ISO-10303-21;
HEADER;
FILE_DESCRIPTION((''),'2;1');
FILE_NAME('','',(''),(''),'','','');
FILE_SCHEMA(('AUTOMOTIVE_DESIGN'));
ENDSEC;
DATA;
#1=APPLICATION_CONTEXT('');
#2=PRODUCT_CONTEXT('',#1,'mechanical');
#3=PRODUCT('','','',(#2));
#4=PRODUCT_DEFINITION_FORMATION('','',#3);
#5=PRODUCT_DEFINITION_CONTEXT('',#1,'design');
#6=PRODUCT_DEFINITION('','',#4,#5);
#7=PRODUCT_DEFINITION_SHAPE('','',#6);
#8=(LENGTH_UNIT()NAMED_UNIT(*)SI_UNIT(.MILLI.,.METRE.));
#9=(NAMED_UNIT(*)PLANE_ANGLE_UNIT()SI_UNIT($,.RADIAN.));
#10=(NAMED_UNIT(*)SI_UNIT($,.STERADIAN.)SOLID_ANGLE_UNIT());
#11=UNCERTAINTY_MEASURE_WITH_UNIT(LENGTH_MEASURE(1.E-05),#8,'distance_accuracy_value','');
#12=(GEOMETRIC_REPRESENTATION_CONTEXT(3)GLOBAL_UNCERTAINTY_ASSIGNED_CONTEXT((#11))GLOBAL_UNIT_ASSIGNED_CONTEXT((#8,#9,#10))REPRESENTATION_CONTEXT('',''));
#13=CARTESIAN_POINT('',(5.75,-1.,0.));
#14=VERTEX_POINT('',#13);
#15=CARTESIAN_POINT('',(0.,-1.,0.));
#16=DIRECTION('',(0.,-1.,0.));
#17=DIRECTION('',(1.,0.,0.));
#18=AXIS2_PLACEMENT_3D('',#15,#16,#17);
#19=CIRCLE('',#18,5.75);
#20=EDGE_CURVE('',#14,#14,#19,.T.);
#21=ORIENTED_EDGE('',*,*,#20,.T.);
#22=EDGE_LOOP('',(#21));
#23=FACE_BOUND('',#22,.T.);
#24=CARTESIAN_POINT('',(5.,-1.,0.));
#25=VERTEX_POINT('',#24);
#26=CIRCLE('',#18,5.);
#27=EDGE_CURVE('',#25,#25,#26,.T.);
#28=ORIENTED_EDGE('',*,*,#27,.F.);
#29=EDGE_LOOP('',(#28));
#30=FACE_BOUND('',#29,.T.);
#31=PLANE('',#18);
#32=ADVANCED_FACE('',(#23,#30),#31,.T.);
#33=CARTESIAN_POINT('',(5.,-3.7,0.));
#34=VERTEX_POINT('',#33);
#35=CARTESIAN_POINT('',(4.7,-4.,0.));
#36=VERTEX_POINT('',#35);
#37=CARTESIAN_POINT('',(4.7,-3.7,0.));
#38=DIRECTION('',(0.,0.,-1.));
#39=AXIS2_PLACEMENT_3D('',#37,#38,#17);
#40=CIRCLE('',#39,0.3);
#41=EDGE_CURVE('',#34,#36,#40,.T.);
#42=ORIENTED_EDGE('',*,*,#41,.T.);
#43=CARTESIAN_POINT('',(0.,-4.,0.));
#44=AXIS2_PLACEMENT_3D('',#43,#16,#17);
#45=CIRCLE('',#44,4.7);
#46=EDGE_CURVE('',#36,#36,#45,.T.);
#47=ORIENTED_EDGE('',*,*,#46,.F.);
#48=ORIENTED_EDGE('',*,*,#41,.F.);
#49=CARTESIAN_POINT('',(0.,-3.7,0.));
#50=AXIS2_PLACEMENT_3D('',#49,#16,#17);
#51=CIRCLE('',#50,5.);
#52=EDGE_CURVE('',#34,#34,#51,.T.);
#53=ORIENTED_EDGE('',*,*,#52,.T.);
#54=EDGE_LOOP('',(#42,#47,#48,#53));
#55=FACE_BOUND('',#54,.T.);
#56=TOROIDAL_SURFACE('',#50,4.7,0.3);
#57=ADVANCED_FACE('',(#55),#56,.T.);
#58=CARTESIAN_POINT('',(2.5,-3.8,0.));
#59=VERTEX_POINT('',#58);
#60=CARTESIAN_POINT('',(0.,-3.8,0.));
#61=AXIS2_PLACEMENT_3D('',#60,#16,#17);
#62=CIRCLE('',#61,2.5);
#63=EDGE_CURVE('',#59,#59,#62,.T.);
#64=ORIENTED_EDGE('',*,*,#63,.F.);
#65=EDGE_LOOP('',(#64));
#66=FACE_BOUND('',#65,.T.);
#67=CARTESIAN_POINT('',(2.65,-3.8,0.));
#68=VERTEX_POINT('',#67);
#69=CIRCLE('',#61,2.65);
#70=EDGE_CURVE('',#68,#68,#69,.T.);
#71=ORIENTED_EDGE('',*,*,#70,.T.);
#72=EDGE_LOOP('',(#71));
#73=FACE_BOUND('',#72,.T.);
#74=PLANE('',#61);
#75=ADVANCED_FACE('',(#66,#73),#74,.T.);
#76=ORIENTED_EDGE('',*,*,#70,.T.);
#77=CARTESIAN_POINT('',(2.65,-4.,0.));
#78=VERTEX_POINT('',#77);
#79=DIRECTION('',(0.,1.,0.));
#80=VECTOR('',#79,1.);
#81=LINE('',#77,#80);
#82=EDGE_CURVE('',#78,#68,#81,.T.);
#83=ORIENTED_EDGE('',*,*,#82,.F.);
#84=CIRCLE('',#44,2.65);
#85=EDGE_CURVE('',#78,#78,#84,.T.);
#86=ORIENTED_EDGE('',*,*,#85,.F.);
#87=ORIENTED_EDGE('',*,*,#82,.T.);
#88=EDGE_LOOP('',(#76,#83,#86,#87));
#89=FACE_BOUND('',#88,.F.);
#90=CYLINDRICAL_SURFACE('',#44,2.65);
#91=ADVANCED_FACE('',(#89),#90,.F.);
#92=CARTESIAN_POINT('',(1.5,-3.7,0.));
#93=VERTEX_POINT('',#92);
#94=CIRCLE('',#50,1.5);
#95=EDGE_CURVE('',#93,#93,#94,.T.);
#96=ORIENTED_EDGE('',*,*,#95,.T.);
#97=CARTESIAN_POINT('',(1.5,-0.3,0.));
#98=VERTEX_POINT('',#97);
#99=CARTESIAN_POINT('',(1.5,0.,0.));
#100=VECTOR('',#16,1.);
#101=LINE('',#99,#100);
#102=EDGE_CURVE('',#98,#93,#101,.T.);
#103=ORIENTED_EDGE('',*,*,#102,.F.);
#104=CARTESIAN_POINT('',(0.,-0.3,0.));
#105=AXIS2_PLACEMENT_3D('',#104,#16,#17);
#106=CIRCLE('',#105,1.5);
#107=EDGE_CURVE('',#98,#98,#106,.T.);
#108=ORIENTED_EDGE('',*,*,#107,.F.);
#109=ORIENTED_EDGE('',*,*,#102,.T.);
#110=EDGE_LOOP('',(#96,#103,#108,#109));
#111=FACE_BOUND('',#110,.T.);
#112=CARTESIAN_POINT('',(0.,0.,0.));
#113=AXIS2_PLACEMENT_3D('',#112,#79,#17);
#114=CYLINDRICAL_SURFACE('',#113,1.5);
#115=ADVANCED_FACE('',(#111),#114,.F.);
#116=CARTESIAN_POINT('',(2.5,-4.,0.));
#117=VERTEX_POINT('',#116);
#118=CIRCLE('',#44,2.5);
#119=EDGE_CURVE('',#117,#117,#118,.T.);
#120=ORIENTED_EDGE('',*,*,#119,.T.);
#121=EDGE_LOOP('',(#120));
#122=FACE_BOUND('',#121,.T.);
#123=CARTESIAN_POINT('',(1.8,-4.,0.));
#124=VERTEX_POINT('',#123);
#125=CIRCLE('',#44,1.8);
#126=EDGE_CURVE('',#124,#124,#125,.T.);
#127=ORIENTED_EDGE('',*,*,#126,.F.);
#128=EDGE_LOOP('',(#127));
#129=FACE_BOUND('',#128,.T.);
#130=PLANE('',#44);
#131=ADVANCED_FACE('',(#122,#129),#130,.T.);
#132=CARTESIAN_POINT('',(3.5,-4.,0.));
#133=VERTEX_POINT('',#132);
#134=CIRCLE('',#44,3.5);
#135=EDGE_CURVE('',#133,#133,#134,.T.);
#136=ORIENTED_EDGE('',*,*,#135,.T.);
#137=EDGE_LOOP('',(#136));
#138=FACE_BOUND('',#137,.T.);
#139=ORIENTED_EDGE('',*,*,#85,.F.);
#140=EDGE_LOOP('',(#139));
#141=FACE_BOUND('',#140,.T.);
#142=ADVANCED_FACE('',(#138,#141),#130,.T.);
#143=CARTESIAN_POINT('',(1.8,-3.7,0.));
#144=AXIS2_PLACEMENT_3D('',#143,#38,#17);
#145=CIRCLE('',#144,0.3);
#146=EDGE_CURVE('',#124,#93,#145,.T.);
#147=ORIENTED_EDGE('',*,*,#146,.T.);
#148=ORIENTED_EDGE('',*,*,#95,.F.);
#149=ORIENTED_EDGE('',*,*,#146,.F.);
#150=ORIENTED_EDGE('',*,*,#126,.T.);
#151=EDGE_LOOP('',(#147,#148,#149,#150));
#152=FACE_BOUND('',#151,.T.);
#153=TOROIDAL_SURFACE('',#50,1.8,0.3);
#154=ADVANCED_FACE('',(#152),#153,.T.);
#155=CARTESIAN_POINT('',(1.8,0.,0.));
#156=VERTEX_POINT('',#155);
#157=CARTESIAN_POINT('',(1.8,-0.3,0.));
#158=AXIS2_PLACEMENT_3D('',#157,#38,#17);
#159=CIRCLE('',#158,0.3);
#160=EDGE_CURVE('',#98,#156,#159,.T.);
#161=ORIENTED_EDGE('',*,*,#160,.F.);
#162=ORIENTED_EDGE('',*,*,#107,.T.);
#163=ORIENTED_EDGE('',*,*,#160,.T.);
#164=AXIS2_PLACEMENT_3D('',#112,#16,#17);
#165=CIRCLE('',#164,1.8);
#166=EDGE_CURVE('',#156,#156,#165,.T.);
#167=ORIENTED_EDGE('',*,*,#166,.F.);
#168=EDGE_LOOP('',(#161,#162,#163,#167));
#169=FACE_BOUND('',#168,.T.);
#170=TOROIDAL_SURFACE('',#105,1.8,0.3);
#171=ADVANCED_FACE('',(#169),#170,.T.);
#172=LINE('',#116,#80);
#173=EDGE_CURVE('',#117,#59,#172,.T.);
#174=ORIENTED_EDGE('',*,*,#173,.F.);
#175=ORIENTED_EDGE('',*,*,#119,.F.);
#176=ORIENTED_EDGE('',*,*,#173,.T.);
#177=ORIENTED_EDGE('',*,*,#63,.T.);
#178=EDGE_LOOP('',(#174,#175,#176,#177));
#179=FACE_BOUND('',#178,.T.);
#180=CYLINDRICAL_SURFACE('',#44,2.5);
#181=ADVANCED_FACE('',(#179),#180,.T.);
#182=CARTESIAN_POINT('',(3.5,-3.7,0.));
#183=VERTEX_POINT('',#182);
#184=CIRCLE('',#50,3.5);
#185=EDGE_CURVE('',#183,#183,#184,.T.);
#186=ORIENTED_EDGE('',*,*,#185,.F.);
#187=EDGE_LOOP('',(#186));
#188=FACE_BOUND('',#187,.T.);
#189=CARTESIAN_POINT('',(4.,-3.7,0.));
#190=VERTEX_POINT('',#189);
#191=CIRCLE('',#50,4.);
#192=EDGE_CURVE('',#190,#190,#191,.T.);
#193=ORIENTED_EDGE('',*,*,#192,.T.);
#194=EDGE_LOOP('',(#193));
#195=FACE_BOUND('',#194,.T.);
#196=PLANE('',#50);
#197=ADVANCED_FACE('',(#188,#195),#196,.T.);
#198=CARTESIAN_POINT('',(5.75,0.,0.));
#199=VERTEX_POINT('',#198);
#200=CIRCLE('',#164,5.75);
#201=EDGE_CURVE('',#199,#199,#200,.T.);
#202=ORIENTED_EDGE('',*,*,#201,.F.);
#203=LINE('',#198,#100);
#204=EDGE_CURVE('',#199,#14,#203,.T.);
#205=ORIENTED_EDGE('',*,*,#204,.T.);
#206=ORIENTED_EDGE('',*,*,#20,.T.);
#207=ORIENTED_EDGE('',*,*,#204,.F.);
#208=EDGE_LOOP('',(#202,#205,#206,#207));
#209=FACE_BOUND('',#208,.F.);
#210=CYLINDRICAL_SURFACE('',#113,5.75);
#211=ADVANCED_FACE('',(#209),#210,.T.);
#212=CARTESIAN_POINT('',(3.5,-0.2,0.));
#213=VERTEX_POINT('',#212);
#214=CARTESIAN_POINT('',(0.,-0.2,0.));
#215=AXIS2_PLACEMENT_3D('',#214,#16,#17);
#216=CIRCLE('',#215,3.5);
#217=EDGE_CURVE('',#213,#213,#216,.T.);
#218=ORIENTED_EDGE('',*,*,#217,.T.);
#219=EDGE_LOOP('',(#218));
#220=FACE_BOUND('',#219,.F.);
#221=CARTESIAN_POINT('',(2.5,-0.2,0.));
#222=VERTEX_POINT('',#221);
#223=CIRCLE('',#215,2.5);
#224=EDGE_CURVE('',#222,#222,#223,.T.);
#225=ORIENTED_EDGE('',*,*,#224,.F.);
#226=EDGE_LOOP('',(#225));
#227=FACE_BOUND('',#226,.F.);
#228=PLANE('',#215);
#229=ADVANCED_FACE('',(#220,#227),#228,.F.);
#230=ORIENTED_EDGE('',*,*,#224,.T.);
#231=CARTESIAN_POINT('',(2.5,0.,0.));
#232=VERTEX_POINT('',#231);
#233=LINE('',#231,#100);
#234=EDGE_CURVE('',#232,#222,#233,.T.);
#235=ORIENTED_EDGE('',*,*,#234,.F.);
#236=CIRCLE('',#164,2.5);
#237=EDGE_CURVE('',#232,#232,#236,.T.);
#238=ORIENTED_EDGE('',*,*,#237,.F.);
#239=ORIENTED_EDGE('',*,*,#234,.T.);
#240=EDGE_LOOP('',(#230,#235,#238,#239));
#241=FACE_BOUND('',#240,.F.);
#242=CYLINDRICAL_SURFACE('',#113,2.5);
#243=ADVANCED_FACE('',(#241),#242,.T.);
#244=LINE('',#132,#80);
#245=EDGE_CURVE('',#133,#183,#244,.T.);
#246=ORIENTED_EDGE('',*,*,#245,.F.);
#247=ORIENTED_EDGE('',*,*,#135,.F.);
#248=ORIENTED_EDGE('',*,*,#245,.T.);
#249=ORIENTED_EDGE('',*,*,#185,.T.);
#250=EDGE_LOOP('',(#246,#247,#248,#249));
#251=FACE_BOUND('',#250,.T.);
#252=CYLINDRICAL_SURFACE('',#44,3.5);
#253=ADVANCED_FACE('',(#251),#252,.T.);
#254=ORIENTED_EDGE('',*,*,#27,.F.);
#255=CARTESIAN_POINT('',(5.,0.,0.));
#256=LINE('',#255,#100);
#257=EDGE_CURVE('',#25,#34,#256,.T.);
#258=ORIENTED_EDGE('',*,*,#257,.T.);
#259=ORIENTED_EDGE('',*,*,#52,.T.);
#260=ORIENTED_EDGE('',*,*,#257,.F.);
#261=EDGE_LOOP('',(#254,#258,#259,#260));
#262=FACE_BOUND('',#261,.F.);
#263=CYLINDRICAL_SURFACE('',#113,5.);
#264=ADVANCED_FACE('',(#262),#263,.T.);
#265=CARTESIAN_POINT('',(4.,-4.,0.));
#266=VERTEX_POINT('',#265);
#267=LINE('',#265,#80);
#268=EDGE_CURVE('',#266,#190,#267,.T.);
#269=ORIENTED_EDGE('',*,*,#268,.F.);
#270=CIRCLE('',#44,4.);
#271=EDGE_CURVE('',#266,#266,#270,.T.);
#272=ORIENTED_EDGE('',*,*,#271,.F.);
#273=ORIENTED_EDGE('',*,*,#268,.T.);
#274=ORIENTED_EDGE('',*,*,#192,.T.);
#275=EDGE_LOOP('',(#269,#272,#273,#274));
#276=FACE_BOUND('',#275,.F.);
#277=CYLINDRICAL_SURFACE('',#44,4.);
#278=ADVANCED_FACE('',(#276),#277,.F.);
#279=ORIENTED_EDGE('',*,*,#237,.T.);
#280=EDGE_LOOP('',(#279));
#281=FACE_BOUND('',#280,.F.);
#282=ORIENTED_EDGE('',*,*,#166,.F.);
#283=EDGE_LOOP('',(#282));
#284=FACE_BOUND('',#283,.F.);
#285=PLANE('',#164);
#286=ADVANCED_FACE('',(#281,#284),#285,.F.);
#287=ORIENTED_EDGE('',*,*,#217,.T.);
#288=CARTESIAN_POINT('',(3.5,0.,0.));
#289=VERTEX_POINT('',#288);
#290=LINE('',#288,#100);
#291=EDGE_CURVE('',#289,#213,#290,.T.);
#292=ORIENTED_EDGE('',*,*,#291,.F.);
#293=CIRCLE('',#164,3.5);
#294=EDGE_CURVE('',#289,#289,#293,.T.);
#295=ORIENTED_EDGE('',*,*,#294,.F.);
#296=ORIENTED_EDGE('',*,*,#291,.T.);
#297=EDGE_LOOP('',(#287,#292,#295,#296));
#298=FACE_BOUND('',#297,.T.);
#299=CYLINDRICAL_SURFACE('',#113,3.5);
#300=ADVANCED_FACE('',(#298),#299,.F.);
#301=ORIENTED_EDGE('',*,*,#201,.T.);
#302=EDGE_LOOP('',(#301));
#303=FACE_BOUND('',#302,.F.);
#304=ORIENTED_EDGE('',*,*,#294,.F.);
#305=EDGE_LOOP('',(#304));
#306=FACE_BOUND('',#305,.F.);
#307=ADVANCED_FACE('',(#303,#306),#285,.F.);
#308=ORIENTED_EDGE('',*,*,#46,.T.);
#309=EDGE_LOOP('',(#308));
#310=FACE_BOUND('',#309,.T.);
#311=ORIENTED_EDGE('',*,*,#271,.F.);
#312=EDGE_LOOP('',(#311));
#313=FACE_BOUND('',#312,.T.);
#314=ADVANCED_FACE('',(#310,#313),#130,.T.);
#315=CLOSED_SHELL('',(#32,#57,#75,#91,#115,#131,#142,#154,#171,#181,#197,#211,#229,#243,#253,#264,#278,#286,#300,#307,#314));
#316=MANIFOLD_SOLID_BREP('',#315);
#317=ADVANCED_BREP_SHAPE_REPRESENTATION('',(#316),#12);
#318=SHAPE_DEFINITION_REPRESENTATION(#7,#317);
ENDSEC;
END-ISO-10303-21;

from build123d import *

# Parameters (mm, degrees)
F0_R     = 5.75
F0_R_2   = 5
F1_DEPTH = 1
F0_R_3   = 3.5
F0_R_4   = 2.5
F0_R_5   = 1.5
F2_DEPTH = 4
F3_R     = 0.3
F4_R     = 2.65
F4_R_2   = 2.5
F5_DEPTH = 0.2
F4_R_3   = 4
F4_R_4   = 3.5
F6_DEPTH = 0.3
F7_DEPTH = 0.2


with BuildPart() as f1:
    # F0 (on Front) → F1 (new body)
    with BuildSketch(Plane.XZ):
        Circle(F0_R)
        Circle(F0_R_2, mode=Mode.SUBTRACT)
    extrude(amount=F1_DEPTH)

    # F0 (on Front) → F2 (join)
    with BuildSketch(Plane.XZ):
        Circle(F0_R_2)
        Circle(F0_R_3, mode=Mode.SUBTRACT)
        Circle(F0_R_3)
        Circle(F0_R_4, mode=Mode.SUBTRACT)
        Circle(F0_R_4)
        Circle(F0_R_5, mode=Mode.SUBTRACT)
    extrude(amount=F2_DEPTH)

    # F3
    f3_edges = [f1.edges().sort_by_distance(p)[0] for p in [
        (-5, -4, 0),
        (-1.5, -4, 0),
        (-1.5, 0, 0),
    ]]
    fillet(f3_edges, radius=F3_R)

    # F4 (on face) → F5 (cut)
    with BuildSketch(Plane.XZ.offset(4)):
        Circle(F4_R)
        Circle(F4_R_2, mode=Mode.SUBTRACT)
    extrude(amount=-F5_DEPTH, mode=Mode.SUBTRACT)

    # F4 (on face) → F6 (cut)
    with BuildSketch(Plane.XZ.offset(4)):
        Circle(F4_R_3)
        Circle(F4_R_4, mode=Mode.SUBTRACT)
    extrude(amount=-F6_DEPTH, mode=Mode.SUBTRACT)

    # F0 (on Front) → F7 (cut)
    with BuildSketch(Plane.XZ):
        Circle(F0_R_3)
        Circle(F0_R_4, mode=Mode.SUBTRACT)
    extrude(amount=F7_DEPTH, mode=Mode.SUBTRACT)


solid = f1.part
